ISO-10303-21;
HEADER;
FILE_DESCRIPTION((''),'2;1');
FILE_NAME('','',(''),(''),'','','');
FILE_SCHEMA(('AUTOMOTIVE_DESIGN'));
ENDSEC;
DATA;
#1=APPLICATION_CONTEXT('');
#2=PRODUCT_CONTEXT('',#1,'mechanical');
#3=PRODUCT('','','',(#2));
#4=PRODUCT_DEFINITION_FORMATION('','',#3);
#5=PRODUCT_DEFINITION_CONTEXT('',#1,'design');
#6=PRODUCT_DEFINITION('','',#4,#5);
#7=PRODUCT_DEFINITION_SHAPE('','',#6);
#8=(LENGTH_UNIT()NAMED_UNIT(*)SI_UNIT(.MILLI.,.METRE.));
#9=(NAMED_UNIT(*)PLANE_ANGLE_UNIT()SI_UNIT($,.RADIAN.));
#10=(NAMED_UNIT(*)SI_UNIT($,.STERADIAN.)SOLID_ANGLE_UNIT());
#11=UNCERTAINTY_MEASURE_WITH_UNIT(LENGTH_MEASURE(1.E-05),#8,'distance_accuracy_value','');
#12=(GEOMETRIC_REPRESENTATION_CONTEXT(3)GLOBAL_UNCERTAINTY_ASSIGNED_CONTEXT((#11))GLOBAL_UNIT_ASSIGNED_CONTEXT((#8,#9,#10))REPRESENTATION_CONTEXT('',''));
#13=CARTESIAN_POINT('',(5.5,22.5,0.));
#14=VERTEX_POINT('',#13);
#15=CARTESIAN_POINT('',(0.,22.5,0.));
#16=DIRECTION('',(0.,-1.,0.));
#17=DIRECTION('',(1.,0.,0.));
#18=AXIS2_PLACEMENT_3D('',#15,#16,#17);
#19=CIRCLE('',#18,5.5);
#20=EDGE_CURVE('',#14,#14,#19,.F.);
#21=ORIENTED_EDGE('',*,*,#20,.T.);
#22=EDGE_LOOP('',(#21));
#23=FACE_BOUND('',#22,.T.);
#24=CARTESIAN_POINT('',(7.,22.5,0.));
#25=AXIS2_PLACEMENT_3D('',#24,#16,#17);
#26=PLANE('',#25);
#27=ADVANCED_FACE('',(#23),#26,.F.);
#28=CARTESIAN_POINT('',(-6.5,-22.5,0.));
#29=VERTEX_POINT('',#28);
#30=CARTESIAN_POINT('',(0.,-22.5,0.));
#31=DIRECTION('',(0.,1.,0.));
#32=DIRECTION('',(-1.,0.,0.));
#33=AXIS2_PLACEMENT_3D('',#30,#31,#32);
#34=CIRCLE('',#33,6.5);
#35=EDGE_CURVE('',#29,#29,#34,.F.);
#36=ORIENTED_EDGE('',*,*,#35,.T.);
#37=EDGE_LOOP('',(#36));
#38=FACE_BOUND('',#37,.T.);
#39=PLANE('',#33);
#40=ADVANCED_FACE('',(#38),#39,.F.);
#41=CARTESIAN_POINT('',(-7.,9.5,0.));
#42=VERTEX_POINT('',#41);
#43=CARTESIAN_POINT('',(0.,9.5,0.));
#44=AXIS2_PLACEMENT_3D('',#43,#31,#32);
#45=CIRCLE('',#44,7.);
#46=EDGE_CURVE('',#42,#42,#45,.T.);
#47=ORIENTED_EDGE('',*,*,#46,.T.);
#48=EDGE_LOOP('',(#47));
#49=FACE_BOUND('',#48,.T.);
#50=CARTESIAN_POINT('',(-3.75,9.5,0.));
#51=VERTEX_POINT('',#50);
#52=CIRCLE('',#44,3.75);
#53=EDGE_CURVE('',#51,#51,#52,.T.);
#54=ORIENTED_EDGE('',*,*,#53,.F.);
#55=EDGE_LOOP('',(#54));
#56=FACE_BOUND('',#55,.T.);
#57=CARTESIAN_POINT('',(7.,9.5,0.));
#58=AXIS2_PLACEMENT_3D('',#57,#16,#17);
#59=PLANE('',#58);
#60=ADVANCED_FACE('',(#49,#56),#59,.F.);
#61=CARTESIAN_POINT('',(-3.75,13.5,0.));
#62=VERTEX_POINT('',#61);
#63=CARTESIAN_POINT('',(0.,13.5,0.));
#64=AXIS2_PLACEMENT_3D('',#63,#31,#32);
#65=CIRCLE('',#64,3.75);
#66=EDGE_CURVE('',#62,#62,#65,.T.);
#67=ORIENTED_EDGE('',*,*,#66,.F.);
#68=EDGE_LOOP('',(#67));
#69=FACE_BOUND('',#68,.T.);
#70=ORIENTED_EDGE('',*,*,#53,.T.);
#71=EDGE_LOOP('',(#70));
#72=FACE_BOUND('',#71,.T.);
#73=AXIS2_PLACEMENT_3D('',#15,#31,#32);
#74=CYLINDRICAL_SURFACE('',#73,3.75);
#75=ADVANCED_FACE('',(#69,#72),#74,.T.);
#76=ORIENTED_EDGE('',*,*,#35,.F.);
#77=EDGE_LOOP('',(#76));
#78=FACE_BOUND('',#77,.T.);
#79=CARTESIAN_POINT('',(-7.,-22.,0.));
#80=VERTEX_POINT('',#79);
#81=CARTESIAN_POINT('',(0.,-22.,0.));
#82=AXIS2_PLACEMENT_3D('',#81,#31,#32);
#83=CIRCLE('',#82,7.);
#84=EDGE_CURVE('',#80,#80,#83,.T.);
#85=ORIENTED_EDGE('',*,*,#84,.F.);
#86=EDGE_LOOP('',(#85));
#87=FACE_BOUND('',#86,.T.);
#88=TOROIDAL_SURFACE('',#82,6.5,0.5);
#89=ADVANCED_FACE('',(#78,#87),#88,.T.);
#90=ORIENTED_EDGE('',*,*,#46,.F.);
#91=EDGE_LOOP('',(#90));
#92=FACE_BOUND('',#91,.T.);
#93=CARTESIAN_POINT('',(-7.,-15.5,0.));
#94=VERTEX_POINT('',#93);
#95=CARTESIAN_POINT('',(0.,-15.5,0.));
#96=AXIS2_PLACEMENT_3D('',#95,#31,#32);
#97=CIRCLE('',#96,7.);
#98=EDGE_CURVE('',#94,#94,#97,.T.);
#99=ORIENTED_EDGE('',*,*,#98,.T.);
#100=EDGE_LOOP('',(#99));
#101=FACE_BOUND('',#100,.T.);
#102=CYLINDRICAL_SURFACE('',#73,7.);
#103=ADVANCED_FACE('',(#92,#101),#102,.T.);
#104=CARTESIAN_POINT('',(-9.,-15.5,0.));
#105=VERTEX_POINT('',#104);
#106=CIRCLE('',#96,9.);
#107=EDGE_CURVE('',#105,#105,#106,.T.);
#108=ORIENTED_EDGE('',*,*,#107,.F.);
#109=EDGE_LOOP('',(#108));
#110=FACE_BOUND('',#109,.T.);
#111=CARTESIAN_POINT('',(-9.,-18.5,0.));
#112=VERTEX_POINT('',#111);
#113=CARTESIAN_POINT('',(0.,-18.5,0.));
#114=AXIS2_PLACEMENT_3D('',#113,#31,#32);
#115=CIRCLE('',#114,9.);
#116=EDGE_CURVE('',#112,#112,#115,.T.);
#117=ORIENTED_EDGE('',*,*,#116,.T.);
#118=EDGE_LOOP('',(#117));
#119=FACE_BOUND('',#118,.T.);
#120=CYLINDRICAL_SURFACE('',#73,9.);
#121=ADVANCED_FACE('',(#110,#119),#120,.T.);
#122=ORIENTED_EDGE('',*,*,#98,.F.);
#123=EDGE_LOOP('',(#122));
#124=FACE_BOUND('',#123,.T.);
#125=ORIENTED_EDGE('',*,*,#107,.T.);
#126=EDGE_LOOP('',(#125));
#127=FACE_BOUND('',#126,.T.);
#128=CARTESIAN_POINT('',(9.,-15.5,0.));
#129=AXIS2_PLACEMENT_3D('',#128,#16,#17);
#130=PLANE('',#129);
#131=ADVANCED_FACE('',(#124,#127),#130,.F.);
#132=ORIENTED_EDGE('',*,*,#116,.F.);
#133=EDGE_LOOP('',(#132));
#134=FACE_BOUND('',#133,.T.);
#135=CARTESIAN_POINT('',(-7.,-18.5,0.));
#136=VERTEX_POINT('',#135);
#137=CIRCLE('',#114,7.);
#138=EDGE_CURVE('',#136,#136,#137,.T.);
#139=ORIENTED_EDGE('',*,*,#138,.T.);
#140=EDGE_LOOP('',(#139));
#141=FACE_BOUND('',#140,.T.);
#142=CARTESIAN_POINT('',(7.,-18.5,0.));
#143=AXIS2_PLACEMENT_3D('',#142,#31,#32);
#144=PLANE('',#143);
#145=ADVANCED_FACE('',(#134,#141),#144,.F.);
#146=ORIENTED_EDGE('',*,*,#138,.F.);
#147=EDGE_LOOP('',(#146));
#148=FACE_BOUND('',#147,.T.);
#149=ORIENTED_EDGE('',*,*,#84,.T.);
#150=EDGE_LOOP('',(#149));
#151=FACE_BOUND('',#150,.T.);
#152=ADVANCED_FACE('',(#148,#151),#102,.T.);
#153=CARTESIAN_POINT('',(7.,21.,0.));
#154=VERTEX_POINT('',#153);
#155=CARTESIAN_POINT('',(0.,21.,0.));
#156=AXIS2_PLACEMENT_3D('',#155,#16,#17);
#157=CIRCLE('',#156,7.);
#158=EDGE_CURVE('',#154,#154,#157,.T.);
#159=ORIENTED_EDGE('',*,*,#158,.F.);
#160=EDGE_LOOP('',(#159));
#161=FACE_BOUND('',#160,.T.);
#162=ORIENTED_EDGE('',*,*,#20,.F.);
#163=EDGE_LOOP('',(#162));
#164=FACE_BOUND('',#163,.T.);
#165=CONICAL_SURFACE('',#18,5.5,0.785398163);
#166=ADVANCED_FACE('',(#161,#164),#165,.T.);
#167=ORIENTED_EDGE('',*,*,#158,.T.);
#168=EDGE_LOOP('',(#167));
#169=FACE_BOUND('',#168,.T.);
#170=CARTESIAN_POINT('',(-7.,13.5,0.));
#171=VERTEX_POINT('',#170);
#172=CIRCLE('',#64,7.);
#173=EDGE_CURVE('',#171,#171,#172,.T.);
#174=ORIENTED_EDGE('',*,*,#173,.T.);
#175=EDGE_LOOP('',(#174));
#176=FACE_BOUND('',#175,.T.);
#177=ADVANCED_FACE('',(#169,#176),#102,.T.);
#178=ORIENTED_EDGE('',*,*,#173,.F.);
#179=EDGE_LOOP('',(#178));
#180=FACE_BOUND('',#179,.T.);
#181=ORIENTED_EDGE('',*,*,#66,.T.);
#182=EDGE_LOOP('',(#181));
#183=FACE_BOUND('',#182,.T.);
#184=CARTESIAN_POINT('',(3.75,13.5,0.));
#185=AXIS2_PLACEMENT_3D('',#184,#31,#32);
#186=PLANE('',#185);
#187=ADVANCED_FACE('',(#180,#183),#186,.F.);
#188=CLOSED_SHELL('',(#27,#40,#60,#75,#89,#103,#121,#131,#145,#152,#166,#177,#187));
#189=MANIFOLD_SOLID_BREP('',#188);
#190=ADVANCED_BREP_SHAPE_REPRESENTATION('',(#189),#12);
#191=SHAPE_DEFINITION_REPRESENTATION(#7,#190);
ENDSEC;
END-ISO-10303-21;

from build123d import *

# Parameters (mm, degrees)
CHAFL_N1_SIZE = 1.5
REDONDEO1_R   = 0.5


with BuildPart() as part:
    # Croquis1 → Revolución1 (revolve)
    with BuildSketch(Plane.XY):
        Polygon((0, -22.5), (7, -22.5), (7, -18.5), (9, -18.5), (9, -15.5), (7, -15.5), (7, 9.5), (3.75, 9.5), (3.75, 13.5), (7, 13.5), (7, 22.5), (0, 22.5), align=None)
    revolve(axis=Axis((0, 22.5, 0), (0, -1, 0)))

    # Chaflán1
    chafl_n1_edges = [part.edges().sort_by_distance(p)[0] for p in [
        (-7, 22.5, 0),
    ]]
    chamfer(chafl_n1_edges, length=CHAFL_N1_SIZE)

    # Redondeo1
    redondeo1_edges = [part.edges().sort_by_distance(p)[0] for p in [
        (-7, -22.5, 0),
    ]]
    fillet(redondeo1_edges, radius=REDONDEO1_R)


solid = part.part
